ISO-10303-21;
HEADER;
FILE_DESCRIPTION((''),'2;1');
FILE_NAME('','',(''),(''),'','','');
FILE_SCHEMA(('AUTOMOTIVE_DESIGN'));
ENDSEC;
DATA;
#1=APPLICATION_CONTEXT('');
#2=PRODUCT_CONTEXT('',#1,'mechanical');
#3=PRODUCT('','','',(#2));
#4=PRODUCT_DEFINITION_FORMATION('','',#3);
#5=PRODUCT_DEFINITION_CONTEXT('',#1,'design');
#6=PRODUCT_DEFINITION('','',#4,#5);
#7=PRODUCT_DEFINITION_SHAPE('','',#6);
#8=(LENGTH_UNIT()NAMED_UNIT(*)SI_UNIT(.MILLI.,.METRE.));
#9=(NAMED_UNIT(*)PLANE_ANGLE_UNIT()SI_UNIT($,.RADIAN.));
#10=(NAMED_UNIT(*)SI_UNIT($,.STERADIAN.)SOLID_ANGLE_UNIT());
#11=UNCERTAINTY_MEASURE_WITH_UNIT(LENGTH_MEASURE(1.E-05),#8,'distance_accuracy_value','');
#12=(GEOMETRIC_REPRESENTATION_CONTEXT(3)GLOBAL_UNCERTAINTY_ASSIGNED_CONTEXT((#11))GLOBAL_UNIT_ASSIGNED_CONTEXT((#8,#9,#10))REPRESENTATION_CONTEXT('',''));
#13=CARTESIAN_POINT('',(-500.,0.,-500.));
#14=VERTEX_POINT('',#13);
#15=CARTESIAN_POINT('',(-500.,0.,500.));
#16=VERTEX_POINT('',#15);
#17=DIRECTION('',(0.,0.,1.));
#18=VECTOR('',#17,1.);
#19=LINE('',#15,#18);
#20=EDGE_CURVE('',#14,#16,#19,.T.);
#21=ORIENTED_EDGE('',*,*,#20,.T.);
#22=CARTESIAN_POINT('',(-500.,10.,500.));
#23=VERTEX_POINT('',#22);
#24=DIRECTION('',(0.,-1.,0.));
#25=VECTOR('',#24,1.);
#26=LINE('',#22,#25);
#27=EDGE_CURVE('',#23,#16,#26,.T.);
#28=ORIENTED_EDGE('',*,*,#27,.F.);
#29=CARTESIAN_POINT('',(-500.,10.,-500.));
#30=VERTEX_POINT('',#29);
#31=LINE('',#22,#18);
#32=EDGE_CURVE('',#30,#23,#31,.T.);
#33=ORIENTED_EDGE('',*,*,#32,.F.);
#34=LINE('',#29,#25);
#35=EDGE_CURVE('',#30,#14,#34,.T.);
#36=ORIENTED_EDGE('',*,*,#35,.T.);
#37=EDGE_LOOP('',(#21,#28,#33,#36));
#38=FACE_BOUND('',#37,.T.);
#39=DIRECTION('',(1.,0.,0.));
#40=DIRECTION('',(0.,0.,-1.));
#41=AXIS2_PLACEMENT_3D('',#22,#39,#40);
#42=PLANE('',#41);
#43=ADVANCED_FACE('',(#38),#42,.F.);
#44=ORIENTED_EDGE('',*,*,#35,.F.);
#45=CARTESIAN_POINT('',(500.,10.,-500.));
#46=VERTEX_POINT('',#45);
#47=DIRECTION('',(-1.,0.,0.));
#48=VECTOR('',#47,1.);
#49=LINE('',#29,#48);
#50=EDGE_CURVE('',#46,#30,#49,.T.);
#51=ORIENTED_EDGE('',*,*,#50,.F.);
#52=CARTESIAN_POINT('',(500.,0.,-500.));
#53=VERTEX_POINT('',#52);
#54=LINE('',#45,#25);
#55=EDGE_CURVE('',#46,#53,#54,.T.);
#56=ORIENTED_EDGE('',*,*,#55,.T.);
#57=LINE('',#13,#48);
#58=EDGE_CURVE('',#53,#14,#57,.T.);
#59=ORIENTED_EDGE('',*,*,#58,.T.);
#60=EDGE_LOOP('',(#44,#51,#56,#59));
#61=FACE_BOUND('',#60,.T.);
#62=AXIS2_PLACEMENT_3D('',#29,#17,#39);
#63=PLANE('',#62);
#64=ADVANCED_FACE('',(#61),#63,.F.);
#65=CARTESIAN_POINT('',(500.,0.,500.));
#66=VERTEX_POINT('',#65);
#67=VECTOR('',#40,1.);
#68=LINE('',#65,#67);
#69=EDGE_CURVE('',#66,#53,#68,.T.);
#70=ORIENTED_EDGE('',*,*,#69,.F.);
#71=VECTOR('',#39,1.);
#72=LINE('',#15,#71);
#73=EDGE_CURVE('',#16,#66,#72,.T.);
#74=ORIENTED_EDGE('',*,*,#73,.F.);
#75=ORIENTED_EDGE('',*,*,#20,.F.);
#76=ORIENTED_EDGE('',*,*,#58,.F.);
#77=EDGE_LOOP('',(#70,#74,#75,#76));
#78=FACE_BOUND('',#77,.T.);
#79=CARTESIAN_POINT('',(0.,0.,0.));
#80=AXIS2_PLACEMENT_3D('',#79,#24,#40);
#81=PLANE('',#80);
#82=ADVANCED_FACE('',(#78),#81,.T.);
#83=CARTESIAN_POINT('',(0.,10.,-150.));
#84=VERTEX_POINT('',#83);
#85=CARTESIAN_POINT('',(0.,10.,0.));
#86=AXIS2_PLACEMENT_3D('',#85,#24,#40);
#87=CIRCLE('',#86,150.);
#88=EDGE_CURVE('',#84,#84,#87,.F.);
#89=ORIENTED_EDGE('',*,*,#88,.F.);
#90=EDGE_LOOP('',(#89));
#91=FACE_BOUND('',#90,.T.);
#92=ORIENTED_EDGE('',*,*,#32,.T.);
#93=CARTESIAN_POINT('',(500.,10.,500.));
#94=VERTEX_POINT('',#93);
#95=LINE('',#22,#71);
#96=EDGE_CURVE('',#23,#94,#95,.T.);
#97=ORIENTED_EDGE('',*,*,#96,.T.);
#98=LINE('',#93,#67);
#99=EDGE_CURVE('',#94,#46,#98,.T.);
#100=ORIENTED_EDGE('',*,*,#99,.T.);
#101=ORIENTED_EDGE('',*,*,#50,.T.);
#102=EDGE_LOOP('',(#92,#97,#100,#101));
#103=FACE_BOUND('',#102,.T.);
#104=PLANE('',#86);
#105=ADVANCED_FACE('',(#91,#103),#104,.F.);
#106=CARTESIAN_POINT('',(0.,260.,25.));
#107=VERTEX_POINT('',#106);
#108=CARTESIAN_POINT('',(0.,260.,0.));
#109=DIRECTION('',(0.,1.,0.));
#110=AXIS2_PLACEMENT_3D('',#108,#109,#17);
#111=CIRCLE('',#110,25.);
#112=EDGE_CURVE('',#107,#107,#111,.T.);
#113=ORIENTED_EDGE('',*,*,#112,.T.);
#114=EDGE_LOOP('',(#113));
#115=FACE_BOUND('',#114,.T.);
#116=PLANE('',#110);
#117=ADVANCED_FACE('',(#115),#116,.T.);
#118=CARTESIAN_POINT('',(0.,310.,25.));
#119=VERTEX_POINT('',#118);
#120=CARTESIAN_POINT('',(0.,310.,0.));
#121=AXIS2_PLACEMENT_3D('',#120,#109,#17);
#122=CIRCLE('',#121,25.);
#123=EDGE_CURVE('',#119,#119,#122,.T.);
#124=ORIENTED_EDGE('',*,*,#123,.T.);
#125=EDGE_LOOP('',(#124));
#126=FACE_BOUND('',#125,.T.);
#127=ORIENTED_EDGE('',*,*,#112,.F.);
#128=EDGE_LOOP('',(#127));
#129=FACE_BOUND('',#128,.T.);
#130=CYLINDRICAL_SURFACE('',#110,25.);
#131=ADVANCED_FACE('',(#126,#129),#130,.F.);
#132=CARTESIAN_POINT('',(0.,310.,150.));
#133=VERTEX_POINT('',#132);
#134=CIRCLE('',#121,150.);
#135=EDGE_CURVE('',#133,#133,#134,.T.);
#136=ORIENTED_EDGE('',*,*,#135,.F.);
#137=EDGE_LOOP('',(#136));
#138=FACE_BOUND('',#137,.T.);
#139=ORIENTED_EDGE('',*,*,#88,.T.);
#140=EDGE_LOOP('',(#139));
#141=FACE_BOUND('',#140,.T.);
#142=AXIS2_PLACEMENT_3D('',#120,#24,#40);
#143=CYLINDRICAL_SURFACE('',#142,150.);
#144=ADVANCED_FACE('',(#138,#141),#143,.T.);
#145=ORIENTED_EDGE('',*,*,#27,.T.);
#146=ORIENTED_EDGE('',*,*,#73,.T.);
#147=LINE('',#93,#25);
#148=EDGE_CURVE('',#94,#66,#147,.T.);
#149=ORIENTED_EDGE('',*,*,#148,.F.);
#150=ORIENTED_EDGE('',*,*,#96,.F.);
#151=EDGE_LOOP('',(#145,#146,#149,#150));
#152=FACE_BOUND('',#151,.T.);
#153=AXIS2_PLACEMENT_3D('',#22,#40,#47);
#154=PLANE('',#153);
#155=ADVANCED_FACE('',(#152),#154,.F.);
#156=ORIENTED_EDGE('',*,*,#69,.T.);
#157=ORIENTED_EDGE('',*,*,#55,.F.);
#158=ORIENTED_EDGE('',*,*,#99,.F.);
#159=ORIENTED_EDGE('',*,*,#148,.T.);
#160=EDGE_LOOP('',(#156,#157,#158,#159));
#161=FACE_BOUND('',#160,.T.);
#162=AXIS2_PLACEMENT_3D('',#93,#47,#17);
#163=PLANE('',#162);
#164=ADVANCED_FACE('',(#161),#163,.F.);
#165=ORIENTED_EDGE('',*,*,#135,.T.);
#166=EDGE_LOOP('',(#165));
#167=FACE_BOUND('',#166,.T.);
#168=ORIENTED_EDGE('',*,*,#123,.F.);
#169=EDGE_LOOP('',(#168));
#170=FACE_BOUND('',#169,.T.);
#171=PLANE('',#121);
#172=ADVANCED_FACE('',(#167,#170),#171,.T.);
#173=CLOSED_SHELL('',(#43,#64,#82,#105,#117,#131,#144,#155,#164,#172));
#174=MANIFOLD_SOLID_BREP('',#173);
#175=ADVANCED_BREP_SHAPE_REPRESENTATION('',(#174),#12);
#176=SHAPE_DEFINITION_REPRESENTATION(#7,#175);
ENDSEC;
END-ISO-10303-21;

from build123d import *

# Parameters (mm, degrees)
SKETCH1_W           = 1000
SKETCH1_H           = 1000
BOSS_EXTRUDE1_DEPTH = 10
SKETCH2_R           = 150
BOSS_EXTRUDE2_DEPTH = 300
SKETCH3_R           = 25
CUT_EXTRUDE1_DEPTH  = 50


with BuildPart() as part:
    # Sketch1 → Boss-Extrude1 (new body)
    with BuildSketch(Plane(origin=(0, 0, 0), x_dir=(1, 0, 0), z_dir=(0, 1, 0))):
        Rectangle(SKETCH1_W, SKETCH1_H)
    extrude(amount=BOSS_EXTRUDE1_DEPTH)

    # Sketch2 → Boss-Extrude2 (add)
    with BuildSketch(Plane(origin=(0, 10, 0), x_dir=(1, 0, 0), z_dir=(0, 1, 0))):
        with Locations(Location((0, 0, 0), (0, 0, 90))):
            Circle(SKETCH2_R)
    extrude(amount=BOSS_EXTRUDE2_DEPTH)

    # Sketch3 → Cut-Extrude1 (cut)
    with BuildSketch(Plane(origin=(0, 310, 0), x_dir=(1, 0, 0), z_dir=(0, 1, 0))):
        with Locations(Location((0, 0, 0), (0, 0, 270))):
            Circle(SKETCH3_R)
    extrude(amount=-CUT_EXTRUDE1_DEPTH, mode=Mode.SUBTRACT)


solid = part.part
